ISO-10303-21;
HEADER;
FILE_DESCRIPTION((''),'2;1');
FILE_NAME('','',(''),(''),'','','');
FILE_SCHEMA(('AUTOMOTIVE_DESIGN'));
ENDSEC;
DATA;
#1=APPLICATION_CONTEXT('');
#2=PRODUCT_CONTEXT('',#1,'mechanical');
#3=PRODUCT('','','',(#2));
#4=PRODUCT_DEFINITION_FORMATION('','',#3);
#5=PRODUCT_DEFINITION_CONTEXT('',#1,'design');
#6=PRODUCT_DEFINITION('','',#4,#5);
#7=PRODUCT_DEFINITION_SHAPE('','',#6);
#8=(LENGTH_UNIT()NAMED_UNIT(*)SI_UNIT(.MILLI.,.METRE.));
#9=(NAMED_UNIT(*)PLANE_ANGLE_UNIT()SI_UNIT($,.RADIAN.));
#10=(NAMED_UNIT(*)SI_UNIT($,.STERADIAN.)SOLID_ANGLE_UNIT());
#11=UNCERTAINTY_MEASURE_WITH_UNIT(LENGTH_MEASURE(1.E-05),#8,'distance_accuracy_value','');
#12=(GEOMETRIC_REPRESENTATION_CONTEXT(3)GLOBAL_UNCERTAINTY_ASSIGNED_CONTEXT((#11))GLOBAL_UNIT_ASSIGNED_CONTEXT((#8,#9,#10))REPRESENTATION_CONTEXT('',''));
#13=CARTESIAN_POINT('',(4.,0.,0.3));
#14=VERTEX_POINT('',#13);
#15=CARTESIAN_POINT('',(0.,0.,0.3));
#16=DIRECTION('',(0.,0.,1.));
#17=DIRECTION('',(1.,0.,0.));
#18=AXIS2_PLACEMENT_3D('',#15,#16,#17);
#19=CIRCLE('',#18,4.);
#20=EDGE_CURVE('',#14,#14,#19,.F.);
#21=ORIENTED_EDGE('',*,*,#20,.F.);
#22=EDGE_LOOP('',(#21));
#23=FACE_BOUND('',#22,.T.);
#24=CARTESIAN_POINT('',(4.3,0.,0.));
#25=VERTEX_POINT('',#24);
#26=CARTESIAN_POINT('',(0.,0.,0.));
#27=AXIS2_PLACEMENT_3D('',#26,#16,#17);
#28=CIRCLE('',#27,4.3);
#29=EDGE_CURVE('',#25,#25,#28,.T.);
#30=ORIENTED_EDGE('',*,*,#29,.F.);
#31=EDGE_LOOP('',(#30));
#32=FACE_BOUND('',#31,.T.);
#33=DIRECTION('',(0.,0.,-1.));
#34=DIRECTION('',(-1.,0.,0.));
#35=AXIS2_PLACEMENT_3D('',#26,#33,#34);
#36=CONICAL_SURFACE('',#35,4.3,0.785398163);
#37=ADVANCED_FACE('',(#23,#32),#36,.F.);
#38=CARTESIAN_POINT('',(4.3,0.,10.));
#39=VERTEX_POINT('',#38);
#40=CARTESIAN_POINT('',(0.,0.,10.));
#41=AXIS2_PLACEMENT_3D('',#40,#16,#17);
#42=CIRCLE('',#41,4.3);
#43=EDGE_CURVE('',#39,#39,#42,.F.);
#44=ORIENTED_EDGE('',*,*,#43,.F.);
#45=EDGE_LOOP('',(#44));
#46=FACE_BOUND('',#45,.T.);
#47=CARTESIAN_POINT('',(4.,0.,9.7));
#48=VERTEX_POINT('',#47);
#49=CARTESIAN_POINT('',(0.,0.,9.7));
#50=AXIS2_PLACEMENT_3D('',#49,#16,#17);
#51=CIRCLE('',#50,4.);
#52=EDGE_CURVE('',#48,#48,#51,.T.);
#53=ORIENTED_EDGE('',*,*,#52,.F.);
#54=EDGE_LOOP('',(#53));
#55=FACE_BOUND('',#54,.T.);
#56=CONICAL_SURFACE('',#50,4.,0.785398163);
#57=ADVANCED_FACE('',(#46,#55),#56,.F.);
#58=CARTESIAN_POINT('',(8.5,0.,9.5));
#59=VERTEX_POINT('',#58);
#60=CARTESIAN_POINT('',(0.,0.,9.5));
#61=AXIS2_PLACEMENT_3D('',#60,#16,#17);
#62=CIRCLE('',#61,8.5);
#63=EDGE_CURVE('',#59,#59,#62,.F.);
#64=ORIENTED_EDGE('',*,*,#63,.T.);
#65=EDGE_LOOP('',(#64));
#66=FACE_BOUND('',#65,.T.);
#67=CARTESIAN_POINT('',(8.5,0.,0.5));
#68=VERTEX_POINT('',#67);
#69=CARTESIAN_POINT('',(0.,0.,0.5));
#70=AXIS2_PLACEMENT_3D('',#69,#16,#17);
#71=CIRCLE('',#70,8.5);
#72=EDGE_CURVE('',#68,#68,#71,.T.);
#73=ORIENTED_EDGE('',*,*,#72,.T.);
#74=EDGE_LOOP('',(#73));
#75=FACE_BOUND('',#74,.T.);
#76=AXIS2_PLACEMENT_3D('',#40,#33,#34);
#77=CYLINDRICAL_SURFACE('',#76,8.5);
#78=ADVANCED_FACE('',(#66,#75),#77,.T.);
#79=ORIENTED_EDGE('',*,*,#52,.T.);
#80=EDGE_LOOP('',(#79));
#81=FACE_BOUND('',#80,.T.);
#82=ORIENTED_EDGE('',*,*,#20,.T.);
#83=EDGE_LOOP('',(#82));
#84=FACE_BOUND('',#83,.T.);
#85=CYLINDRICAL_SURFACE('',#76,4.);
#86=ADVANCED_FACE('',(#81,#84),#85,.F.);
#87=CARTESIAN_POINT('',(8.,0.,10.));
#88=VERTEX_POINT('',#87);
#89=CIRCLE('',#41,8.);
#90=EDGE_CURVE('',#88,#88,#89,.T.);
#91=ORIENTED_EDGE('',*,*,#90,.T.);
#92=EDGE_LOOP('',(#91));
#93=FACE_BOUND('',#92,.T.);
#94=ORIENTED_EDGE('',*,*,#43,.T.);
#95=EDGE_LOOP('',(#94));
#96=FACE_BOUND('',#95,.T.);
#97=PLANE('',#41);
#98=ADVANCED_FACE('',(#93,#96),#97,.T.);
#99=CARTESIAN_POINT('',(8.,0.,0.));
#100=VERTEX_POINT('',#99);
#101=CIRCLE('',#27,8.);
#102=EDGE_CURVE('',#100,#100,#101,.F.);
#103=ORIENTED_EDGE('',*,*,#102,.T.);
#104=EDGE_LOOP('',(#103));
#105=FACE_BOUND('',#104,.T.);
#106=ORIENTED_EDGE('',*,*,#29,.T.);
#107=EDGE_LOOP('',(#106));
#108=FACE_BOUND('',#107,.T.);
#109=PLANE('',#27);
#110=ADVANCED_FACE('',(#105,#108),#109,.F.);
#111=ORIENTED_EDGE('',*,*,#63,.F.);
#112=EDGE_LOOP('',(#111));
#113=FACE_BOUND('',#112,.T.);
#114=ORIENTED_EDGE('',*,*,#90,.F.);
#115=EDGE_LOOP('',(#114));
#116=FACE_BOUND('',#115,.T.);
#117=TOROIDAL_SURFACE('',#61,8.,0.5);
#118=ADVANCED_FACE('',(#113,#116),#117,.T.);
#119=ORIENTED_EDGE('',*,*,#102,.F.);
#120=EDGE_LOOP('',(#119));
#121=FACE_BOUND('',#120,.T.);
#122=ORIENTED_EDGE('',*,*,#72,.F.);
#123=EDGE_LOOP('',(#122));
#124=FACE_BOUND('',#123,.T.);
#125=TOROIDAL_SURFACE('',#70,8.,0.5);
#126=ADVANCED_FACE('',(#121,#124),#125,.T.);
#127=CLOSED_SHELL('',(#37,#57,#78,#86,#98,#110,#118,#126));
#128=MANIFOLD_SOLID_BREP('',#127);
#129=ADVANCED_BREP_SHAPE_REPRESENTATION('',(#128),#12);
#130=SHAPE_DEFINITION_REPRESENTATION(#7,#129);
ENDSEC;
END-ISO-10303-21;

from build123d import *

# Parameters (mm, degrees)
SKETCH1_R           = 8.5
SKETCH1_R_2         = 4
BOSS_EXTRUDE1_DEPTH = 10
FILLET1_R           = 0.5
CHAMFER1_SIZE       = 0.3


with BuildPart() as part:
    # Sketch1 → Boss-Extrude1 (new body)
    with BuildSketch(Plane.XY):
        Circle(SKETCH1_R)
        Circle(SKETCH1_R_2, mode=Mode.SUBTRACT)
    extrude(amount=BOSS_EXTRUDE1_DEPTH)

    # Fillet1
    fillet1_edges = [part.edges().sort_by_distance(p)[0] for p in [
        (-8.5, 0, 0),
        (-8.5, 0, 10),
    ]]
    fillet(fillet1_edges, radius=FILLET1_R)

    # Chamfer1
    chamfer1_edges = [part.edges().sort_by_distance(p)[0] for p in [
        (-4, 0, 0),
        (-4, 0, 10),
    ]]
    chamfer(chamfer1_edges, length=CHAMFER1_SIZE)


solid = part.part
